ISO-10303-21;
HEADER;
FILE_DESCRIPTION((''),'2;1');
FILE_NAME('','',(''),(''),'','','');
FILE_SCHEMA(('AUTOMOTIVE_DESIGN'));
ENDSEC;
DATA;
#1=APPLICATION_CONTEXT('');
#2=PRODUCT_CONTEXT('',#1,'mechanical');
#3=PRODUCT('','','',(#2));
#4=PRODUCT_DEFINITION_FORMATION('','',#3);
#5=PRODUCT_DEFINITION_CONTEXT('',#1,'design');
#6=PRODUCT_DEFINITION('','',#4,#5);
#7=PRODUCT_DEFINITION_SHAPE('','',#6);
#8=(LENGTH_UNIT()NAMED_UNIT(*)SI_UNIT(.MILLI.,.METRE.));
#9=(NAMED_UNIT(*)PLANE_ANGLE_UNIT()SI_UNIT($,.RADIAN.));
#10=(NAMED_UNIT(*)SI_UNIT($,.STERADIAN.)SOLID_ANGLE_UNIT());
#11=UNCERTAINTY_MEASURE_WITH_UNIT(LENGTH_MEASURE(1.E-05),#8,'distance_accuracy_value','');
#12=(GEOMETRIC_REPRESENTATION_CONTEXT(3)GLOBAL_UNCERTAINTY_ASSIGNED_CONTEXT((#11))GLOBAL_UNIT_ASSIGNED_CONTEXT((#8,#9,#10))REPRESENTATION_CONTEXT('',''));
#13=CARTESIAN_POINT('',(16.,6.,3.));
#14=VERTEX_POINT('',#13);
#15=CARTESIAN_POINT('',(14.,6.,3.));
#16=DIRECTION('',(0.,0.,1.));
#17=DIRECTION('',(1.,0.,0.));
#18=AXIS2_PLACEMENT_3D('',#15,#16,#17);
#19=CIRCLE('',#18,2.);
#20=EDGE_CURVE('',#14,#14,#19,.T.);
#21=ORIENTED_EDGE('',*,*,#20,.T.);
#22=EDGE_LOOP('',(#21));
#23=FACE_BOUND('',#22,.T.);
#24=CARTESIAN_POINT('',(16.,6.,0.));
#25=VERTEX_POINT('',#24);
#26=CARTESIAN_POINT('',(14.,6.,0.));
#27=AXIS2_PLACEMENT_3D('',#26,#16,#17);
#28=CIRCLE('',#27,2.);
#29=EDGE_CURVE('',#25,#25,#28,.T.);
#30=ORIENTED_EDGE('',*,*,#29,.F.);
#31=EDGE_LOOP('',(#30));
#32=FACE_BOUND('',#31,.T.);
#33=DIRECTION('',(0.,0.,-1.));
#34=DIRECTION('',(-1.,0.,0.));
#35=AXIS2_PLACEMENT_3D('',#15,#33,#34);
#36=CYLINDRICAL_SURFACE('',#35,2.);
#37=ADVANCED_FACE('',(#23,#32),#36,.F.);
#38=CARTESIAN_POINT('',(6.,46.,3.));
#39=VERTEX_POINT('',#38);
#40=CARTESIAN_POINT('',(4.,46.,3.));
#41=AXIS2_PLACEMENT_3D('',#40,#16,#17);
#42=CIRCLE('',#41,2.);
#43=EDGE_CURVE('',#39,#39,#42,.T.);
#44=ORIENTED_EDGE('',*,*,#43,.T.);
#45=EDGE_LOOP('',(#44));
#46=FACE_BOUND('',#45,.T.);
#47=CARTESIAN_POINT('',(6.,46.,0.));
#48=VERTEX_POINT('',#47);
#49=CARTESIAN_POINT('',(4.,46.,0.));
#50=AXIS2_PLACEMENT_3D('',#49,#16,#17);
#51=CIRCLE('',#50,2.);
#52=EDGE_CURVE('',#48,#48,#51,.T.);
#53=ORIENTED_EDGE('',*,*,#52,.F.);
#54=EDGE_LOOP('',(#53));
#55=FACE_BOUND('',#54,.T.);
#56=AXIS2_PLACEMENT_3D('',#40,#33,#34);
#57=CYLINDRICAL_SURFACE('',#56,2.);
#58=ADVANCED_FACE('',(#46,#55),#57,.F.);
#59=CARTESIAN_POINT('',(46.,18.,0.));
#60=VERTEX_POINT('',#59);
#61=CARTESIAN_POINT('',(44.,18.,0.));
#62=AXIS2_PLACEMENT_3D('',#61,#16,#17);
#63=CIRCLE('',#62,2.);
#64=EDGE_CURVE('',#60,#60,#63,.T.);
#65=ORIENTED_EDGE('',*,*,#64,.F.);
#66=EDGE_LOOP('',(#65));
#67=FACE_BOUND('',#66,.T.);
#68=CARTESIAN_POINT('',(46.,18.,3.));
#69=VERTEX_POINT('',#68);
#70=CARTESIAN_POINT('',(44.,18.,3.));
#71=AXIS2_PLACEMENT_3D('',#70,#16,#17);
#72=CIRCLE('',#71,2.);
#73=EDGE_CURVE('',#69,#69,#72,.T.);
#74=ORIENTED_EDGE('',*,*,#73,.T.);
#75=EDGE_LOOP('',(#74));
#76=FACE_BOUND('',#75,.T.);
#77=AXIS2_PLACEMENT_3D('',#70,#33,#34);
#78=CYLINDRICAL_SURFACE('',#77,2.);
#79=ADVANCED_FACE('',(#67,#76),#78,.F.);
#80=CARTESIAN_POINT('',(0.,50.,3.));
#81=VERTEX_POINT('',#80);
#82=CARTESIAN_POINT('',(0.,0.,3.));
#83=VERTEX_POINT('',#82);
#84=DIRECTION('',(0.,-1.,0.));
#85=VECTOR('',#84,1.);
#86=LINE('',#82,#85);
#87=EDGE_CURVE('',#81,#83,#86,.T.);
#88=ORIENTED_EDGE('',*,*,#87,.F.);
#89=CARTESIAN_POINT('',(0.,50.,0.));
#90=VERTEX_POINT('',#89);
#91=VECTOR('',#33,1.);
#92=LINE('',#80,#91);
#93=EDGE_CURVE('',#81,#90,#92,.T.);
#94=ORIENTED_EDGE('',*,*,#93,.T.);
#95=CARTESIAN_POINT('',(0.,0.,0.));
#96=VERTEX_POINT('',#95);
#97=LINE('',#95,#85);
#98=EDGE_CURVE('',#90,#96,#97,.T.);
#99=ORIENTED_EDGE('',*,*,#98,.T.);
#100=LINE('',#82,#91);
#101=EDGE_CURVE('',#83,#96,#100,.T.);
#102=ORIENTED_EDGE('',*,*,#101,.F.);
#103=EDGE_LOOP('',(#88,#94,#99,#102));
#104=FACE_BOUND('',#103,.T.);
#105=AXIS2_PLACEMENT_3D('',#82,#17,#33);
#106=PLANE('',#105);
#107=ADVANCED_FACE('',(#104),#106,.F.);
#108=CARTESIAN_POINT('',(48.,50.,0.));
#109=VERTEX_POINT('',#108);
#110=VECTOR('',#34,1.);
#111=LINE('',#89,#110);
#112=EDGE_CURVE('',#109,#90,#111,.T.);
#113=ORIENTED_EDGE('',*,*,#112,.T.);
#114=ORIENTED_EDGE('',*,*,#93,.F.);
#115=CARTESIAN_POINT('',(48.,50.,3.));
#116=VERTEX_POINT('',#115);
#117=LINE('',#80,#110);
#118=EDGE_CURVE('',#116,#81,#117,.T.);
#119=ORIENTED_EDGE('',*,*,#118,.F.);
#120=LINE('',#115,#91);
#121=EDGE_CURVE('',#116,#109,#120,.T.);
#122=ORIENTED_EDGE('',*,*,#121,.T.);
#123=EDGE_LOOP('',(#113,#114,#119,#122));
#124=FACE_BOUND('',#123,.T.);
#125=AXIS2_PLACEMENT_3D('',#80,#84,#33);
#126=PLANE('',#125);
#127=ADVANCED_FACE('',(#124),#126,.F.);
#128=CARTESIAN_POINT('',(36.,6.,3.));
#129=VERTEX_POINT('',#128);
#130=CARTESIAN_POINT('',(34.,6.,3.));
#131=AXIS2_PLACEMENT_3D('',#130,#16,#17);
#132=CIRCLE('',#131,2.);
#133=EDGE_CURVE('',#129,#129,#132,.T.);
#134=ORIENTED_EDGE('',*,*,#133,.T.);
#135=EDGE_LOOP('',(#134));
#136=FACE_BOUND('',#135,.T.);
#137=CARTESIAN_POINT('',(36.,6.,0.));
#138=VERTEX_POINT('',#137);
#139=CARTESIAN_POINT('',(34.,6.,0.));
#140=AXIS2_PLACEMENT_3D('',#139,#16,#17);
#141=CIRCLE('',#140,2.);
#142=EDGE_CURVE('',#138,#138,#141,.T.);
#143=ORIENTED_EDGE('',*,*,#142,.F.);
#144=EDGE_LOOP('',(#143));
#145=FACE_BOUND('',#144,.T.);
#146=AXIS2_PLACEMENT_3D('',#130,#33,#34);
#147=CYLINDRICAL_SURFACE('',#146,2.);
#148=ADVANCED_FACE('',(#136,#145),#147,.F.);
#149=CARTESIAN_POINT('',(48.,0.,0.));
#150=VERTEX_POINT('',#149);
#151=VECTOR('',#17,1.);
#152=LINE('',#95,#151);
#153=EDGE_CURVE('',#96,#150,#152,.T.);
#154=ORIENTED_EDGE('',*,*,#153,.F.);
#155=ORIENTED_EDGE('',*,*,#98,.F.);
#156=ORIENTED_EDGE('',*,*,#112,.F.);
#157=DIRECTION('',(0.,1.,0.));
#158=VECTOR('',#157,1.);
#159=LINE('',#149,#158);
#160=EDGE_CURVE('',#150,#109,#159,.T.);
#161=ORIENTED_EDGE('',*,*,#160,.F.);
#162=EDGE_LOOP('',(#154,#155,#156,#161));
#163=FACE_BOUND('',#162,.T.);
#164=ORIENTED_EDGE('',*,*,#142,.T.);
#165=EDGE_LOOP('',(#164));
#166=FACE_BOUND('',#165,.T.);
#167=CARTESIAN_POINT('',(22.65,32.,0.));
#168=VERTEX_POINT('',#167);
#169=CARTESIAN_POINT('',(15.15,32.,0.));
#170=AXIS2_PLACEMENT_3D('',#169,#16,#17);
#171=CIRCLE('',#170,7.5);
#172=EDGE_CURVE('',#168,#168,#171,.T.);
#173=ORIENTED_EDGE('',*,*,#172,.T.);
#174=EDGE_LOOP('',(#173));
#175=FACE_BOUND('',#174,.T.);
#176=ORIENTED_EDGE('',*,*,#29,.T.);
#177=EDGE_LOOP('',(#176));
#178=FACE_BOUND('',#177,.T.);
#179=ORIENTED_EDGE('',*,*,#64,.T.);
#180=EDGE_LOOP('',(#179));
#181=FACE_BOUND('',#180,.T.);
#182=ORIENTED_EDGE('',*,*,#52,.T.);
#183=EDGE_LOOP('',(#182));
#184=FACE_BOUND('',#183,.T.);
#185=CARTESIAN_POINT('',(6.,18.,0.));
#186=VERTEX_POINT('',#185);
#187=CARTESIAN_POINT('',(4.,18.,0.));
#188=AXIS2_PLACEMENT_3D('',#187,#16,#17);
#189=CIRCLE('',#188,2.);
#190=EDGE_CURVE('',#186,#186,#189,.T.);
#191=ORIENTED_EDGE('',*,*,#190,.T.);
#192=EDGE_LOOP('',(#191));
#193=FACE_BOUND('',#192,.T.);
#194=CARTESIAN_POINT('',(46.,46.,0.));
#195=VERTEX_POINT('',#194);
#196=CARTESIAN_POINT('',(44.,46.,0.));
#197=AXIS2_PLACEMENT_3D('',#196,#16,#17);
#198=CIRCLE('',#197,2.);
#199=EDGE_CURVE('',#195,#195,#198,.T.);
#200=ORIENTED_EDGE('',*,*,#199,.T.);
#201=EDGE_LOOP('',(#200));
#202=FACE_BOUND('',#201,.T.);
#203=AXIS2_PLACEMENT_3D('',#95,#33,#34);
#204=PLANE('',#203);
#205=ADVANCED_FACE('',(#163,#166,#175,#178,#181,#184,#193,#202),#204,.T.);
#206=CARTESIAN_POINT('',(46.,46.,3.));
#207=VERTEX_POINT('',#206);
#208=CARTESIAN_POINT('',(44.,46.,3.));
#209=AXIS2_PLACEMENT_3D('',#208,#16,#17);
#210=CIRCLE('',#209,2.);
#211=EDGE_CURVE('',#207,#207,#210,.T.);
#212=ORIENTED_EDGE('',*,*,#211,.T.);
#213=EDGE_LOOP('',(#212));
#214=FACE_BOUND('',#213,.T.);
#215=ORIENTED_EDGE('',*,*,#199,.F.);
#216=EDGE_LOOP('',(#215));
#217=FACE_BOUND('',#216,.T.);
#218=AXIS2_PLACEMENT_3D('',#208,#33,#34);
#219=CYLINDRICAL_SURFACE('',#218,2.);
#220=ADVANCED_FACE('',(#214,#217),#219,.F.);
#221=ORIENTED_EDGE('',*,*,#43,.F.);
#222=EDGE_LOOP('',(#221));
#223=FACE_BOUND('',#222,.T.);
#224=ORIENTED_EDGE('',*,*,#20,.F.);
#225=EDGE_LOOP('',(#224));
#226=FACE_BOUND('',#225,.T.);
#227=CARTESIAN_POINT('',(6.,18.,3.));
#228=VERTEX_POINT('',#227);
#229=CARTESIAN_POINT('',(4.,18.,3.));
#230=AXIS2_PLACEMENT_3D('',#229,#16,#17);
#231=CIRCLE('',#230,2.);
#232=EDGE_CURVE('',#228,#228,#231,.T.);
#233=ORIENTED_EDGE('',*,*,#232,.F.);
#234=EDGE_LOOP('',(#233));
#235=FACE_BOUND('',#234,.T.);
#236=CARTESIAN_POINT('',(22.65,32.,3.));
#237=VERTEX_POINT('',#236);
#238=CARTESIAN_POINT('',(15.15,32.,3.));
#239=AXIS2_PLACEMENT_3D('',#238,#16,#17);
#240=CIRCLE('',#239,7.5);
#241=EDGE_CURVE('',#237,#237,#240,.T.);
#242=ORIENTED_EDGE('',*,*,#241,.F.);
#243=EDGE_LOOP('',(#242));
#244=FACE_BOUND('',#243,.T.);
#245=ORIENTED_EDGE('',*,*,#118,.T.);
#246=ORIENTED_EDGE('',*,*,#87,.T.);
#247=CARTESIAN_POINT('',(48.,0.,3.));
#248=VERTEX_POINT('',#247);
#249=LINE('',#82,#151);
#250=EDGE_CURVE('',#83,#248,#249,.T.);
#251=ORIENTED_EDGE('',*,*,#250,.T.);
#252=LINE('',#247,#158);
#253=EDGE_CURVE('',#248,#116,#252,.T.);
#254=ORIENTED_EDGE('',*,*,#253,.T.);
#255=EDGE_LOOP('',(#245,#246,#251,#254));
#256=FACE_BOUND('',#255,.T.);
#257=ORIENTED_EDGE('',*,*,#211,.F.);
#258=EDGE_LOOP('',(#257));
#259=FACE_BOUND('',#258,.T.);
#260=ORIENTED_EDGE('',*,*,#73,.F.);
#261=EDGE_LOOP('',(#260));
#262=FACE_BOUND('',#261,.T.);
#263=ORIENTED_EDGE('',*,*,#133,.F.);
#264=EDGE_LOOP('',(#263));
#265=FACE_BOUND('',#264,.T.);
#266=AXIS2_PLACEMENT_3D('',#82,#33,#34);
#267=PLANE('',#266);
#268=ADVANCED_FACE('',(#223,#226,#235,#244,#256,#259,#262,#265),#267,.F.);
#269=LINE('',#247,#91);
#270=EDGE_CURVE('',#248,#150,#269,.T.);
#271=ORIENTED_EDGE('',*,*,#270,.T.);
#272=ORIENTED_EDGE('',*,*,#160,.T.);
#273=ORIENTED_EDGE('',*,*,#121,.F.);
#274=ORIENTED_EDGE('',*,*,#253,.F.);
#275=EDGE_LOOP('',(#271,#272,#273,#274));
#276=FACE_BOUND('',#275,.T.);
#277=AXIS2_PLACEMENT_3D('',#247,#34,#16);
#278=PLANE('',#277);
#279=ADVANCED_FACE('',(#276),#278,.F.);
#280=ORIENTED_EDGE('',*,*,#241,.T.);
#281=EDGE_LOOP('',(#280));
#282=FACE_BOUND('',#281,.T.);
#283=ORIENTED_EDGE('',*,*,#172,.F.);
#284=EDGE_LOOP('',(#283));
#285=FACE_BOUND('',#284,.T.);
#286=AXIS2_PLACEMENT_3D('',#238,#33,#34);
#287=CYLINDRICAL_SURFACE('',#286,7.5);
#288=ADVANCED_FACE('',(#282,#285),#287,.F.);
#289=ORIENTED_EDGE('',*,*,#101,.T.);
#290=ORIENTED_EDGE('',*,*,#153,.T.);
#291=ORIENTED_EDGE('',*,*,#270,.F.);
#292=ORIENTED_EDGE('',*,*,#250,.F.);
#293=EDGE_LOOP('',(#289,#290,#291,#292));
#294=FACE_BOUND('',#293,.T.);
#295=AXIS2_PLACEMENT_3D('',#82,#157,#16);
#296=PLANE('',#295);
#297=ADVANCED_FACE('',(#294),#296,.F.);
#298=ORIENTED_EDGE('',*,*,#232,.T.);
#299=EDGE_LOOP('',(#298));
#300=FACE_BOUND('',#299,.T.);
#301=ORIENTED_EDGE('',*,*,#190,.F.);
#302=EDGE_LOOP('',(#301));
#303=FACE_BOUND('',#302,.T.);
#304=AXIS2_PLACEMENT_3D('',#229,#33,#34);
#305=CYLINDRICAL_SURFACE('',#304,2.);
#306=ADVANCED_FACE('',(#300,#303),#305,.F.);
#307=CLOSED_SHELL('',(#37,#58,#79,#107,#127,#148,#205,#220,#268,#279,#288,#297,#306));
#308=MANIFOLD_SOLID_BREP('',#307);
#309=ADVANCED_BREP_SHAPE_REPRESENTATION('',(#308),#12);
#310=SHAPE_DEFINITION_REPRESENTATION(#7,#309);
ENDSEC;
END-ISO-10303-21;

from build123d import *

# Parameters (mm, degrees)
SKETCH2_W           = 48
SKETCH2_H           = 50
SKETCH2_R           = 2
SKETCH2_R_2         = 7.5
BOSS_EXTRUDE2_DEPTH = 3


with BuildPart() as part:
    # Sketch2 → Boss-Extrude2 (new body)
    with BuildSketch(Plane.XY):
        with Locations((24, 25)):
            Rectangle(SKETCH2_W, SKETCH2_H)
        with Locations((4, 46)):
            Circle(SKETCH2_R, mode=Mode.SUBTRACT)
        with Locations((44, 46)):
            Circle(SKETCH2_R, mode=Mode.SUBTRACT)
        with Locations((44, 18)):
            Circle(SKETCH2_R, mode=Mode.SUBTRACT)
        with Locations((4, 18)):
            Circle(SKETCH2_R, mode=Mode.SUBTRACT)
        with Locations((15.15, 32)):
            Circle(SKETCH2_R_2, mode=Mode.SUBTRACT)
        with Locations((14, 6)):
            Circle(SKETCH2_R, mode=Mode.SUBTRACT)
        with Locations((34, 6)):
            Circle(SKETCH2_R, mode=Mode.SUBTRACT)
    extrude(amount=BOSS_EXTRUDE2_DEPTH)


solid = part.part
